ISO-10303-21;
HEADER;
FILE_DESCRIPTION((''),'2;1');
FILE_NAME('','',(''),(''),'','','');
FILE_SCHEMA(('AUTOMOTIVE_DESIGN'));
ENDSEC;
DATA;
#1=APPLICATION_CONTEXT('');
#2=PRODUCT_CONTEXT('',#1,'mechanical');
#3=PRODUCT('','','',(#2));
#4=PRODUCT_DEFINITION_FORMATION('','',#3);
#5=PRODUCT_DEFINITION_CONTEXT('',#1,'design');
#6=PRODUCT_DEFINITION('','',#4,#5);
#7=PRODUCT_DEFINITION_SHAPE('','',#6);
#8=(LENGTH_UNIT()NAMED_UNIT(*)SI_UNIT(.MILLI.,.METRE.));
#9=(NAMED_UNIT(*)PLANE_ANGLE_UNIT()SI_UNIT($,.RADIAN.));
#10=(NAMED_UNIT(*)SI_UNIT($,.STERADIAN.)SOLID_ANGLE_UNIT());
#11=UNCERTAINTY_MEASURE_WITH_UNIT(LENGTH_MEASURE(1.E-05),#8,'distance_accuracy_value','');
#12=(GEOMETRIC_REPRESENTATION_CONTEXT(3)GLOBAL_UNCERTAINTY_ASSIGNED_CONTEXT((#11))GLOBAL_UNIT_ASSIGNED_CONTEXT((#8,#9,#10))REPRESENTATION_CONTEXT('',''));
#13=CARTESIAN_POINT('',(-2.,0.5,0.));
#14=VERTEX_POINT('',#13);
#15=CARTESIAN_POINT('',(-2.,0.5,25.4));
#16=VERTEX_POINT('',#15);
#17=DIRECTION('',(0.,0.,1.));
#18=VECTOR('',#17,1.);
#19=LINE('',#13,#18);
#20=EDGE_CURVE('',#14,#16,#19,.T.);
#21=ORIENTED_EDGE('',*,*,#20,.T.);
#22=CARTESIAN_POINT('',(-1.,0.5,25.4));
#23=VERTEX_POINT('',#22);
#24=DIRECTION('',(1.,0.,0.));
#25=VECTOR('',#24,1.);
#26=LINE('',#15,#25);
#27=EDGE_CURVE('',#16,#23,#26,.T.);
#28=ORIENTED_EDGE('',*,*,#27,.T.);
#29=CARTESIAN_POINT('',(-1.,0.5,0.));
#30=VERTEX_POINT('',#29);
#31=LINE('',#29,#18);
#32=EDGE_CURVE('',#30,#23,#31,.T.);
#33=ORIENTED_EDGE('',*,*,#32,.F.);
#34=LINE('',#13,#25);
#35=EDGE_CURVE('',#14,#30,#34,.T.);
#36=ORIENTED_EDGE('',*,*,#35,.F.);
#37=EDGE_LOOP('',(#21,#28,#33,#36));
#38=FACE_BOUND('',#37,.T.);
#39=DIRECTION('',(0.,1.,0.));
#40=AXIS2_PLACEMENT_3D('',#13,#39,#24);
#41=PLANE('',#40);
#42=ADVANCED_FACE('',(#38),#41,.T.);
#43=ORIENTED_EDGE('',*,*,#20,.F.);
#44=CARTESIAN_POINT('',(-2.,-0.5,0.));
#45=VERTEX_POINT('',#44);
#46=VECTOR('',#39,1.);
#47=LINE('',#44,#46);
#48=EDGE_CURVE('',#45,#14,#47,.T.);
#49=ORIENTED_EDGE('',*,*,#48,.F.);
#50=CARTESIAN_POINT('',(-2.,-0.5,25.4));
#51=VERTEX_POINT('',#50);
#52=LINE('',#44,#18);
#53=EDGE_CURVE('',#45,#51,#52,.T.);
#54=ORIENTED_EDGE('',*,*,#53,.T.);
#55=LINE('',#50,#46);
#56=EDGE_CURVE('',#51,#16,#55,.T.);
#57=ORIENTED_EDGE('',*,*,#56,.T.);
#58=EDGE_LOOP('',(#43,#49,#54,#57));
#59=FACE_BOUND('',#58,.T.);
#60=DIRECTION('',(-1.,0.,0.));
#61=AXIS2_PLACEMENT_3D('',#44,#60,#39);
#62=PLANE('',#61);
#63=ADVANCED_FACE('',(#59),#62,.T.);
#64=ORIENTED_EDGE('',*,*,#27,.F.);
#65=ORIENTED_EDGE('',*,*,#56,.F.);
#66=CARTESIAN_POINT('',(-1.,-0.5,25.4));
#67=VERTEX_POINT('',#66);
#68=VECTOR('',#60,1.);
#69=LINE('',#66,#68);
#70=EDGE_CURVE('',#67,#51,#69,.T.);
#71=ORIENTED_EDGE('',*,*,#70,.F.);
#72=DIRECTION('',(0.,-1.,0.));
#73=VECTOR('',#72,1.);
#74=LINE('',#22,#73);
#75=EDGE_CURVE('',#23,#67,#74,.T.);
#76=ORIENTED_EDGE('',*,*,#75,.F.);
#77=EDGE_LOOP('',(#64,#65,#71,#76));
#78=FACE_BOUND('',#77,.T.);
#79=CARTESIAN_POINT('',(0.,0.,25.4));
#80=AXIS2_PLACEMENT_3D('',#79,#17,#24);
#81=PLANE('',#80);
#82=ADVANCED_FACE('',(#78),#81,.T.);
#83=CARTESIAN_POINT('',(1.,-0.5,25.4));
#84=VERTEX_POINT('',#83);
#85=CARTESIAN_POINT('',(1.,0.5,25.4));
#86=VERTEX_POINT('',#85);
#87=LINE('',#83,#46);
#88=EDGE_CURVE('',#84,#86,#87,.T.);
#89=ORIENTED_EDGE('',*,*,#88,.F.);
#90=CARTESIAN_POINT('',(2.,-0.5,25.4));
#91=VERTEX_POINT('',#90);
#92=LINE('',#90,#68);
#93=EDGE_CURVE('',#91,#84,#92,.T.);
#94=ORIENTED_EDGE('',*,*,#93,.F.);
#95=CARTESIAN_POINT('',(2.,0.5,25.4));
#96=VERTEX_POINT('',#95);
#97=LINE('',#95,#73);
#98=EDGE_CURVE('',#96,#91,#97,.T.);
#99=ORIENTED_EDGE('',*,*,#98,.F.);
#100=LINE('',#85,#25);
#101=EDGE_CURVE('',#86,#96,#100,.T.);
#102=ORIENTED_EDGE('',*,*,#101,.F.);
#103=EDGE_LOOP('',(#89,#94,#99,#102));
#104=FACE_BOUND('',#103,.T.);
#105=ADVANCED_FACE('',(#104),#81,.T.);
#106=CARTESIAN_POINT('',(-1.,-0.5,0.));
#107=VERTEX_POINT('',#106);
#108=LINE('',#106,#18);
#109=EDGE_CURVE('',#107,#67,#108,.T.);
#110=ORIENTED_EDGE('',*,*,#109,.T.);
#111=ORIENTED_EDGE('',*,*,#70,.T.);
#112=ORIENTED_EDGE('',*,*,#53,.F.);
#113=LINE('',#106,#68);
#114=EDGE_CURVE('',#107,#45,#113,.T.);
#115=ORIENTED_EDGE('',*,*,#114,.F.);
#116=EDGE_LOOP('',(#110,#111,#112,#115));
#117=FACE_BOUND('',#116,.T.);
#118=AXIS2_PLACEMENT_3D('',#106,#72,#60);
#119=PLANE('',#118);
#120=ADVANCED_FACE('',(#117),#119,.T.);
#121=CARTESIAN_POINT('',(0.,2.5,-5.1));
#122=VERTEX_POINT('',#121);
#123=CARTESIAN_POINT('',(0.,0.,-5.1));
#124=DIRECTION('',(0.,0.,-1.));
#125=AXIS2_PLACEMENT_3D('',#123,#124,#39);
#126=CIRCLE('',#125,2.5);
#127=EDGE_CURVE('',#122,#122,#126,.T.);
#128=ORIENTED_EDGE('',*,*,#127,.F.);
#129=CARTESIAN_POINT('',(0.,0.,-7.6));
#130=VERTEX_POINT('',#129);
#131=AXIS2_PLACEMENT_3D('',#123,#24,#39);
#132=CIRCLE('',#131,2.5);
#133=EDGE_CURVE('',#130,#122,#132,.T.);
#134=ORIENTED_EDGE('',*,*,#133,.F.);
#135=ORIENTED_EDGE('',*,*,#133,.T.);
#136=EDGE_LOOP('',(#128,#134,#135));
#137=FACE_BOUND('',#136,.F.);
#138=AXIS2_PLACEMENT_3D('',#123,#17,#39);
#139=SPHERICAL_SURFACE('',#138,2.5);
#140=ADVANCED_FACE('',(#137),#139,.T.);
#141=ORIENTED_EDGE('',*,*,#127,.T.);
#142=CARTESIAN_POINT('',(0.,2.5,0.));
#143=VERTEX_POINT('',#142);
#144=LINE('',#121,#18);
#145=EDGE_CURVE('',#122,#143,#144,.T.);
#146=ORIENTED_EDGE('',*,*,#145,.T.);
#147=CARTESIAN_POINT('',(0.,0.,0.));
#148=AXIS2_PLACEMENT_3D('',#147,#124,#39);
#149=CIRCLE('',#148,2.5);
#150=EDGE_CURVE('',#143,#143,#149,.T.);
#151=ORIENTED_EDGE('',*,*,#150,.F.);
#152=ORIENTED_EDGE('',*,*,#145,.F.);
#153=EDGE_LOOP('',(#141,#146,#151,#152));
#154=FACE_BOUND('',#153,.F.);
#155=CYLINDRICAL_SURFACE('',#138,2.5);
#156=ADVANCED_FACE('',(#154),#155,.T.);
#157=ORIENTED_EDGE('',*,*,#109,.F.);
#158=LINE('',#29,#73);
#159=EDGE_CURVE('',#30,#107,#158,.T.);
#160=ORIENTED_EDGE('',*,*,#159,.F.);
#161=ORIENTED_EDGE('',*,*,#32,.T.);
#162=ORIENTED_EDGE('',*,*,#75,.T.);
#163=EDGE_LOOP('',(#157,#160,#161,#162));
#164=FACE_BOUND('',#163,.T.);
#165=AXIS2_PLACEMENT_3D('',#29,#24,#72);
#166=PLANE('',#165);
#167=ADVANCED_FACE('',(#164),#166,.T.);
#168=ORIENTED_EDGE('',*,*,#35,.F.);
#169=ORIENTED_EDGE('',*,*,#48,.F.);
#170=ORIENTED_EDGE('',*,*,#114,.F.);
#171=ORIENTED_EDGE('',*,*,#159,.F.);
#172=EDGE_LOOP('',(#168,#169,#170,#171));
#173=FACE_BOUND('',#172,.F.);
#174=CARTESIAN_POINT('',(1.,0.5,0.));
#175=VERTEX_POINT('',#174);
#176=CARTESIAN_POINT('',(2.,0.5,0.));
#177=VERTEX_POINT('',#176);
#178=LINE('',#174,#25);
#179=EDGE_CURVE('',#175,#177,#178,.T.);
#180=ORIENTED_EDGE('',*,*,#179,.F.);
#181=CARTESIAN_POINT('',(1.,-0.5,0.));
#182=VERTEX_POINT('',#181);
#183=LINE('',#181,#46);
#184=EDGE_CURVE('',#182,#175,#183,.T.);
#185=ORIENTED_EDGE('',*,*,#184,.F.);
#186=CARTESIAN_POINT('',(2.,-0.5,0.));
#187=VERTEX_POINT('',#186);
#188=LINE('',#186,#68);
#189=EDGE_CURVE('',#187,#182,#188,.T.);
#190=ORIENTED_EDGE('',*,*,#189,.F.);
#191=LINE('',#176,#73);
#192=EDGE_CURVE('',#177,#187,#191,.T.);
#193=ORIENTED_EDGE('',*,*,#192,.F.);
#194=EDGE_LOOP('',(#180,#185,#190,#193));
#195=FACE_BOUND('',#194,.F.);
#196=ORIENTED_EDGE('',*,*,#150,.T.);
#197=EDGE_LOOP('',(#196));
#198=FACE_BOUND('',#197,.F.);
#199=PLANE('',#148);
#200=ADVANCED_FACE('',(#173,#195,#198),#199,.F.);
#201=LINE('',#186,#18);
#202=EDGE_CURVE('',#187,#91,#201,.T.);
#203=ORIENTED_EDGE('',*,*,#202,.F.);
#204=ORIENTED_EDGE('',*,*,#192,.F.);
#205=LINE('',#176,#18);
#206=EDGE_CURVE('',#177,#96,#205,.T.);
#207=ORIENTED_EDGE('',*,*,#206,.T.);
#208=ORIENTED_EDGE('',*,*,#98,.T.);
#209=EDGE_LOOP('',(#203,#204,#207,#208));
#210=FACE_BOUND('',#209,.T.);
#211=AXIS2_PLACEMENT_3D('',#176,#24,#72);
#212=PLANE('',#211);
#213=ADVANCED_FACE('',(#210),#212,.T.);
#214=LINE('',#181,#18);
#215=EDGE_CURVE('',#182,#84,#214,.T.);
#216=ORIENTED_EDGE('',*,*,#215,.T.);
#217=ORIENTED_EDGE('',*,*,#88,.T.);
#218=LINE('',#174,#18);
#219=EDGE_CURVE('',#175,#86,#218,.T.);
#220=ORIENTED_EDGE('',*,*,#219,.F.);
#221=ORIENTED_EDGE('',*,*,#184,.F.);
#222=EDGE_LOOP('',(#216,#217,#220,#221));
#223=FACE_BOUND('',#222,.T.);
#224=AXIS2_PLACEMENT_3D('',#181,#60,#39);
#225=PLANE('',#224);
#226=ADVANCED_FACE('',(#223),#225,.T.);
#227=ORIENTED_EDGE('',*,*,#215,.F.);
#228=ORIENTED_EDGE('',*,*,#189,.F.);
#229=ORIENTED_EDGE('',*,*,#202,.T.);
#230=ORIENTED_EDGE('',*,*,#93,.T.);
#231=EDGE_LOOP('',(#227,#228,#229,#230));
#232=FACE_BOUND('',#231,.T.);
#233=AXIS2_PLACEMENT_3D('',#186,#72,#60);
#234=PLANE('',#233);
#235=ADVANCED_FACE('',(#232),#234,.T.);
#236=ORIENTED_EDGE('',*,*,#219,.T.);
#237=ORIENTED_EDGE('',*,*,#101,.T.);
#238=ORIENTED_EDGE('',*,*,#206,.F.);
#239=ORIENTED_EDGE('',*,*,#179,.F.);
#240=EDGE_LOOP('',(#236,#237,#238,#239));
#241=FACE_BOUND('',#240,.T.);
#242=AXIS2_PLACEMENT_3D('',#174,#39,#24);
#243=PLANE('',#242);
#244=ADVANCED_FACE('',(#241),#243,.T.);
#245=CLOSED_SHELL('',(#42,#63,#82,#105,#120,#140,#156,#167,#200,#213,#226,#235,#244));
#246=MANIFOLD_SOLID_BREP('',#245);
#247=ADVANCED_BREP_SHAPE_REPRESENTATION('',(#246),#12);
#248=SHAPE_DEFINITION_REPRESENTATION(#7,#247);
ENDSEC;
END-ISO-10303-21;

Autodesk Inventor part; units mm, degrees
ref_plane "YZ Plane" through (0, 0, 0) normal (1, 0, 0) x (0, 1, 0)
ref_plane "XZ Plane" through (0, 0, 0) normal (0, 1, 0) x (-1, 0, 0)
ref_plane "XY Plane" through (0, 0, 0) normal (0, 0, 1) x (1, 0, 0)
sketch "Sketch1" plane through (0, 0, 0) normal (1, 0, 0) x (0, 1, 0)
  line L0 (2.5, 0) -> (-2.5, 0)
  line L1 (-2.5, 0) -> (-2.5, -5.1)
  line L2 (-2.5, -5.1) -> (2.5, -5.1)
  line L3 (2.5, -5.1) -> (2.5, 0)
  circle A0 centre (0, -5.1) radius 2.5
  line L4 (0, 0) -> (0, -7.6)
  dimension "d0" = 5
  dimension "d1" = 5.1
revolve "Revolution1" add sketch "Sketch1" angle 360 about axis through (0, 0, 0) along (0, 0, -1) picked at (1.6458, -5.2854) picked at (1.6458, -4.9146) contours L3 A0 L4 L0 | A0 L4 L2 | L2 L4 A0
sketch "Sketch2" plane through (0, 0, 0) normal (0, 0, 1) x (1, 0, 0)
  line L0 (-1, -0.5) -> (-2, -0.5)
  line L1 (-2, -0.5) -> (-2, 0.5)
  line L2 (-2, 0.5) -> (-1, 0.5)
  line L3 (-1, 0.5) -> (-1, -0.5)
  line L4 (2, -0.5) -> (1, -0.5)
  line L5 (1, -0.5) -> (1, 0.5)
  line L6 (1, 0.5) -> (2, 0.5)
  line L7 (2, 0.5) -> (2, -0.5)
  point P0 (0, 0)
  point P1 (1, 0)
  dimension "d3" = 1
  dimension "d4" = 1
  dimension "d5" = 1
  dimension "d6" = 2
  dimension "d7" = 1
extrude "Extrusion1" add sketch "Sketch2" along normal blind 25.4
properties part number "LED" material "PC/ABS Plastic"
